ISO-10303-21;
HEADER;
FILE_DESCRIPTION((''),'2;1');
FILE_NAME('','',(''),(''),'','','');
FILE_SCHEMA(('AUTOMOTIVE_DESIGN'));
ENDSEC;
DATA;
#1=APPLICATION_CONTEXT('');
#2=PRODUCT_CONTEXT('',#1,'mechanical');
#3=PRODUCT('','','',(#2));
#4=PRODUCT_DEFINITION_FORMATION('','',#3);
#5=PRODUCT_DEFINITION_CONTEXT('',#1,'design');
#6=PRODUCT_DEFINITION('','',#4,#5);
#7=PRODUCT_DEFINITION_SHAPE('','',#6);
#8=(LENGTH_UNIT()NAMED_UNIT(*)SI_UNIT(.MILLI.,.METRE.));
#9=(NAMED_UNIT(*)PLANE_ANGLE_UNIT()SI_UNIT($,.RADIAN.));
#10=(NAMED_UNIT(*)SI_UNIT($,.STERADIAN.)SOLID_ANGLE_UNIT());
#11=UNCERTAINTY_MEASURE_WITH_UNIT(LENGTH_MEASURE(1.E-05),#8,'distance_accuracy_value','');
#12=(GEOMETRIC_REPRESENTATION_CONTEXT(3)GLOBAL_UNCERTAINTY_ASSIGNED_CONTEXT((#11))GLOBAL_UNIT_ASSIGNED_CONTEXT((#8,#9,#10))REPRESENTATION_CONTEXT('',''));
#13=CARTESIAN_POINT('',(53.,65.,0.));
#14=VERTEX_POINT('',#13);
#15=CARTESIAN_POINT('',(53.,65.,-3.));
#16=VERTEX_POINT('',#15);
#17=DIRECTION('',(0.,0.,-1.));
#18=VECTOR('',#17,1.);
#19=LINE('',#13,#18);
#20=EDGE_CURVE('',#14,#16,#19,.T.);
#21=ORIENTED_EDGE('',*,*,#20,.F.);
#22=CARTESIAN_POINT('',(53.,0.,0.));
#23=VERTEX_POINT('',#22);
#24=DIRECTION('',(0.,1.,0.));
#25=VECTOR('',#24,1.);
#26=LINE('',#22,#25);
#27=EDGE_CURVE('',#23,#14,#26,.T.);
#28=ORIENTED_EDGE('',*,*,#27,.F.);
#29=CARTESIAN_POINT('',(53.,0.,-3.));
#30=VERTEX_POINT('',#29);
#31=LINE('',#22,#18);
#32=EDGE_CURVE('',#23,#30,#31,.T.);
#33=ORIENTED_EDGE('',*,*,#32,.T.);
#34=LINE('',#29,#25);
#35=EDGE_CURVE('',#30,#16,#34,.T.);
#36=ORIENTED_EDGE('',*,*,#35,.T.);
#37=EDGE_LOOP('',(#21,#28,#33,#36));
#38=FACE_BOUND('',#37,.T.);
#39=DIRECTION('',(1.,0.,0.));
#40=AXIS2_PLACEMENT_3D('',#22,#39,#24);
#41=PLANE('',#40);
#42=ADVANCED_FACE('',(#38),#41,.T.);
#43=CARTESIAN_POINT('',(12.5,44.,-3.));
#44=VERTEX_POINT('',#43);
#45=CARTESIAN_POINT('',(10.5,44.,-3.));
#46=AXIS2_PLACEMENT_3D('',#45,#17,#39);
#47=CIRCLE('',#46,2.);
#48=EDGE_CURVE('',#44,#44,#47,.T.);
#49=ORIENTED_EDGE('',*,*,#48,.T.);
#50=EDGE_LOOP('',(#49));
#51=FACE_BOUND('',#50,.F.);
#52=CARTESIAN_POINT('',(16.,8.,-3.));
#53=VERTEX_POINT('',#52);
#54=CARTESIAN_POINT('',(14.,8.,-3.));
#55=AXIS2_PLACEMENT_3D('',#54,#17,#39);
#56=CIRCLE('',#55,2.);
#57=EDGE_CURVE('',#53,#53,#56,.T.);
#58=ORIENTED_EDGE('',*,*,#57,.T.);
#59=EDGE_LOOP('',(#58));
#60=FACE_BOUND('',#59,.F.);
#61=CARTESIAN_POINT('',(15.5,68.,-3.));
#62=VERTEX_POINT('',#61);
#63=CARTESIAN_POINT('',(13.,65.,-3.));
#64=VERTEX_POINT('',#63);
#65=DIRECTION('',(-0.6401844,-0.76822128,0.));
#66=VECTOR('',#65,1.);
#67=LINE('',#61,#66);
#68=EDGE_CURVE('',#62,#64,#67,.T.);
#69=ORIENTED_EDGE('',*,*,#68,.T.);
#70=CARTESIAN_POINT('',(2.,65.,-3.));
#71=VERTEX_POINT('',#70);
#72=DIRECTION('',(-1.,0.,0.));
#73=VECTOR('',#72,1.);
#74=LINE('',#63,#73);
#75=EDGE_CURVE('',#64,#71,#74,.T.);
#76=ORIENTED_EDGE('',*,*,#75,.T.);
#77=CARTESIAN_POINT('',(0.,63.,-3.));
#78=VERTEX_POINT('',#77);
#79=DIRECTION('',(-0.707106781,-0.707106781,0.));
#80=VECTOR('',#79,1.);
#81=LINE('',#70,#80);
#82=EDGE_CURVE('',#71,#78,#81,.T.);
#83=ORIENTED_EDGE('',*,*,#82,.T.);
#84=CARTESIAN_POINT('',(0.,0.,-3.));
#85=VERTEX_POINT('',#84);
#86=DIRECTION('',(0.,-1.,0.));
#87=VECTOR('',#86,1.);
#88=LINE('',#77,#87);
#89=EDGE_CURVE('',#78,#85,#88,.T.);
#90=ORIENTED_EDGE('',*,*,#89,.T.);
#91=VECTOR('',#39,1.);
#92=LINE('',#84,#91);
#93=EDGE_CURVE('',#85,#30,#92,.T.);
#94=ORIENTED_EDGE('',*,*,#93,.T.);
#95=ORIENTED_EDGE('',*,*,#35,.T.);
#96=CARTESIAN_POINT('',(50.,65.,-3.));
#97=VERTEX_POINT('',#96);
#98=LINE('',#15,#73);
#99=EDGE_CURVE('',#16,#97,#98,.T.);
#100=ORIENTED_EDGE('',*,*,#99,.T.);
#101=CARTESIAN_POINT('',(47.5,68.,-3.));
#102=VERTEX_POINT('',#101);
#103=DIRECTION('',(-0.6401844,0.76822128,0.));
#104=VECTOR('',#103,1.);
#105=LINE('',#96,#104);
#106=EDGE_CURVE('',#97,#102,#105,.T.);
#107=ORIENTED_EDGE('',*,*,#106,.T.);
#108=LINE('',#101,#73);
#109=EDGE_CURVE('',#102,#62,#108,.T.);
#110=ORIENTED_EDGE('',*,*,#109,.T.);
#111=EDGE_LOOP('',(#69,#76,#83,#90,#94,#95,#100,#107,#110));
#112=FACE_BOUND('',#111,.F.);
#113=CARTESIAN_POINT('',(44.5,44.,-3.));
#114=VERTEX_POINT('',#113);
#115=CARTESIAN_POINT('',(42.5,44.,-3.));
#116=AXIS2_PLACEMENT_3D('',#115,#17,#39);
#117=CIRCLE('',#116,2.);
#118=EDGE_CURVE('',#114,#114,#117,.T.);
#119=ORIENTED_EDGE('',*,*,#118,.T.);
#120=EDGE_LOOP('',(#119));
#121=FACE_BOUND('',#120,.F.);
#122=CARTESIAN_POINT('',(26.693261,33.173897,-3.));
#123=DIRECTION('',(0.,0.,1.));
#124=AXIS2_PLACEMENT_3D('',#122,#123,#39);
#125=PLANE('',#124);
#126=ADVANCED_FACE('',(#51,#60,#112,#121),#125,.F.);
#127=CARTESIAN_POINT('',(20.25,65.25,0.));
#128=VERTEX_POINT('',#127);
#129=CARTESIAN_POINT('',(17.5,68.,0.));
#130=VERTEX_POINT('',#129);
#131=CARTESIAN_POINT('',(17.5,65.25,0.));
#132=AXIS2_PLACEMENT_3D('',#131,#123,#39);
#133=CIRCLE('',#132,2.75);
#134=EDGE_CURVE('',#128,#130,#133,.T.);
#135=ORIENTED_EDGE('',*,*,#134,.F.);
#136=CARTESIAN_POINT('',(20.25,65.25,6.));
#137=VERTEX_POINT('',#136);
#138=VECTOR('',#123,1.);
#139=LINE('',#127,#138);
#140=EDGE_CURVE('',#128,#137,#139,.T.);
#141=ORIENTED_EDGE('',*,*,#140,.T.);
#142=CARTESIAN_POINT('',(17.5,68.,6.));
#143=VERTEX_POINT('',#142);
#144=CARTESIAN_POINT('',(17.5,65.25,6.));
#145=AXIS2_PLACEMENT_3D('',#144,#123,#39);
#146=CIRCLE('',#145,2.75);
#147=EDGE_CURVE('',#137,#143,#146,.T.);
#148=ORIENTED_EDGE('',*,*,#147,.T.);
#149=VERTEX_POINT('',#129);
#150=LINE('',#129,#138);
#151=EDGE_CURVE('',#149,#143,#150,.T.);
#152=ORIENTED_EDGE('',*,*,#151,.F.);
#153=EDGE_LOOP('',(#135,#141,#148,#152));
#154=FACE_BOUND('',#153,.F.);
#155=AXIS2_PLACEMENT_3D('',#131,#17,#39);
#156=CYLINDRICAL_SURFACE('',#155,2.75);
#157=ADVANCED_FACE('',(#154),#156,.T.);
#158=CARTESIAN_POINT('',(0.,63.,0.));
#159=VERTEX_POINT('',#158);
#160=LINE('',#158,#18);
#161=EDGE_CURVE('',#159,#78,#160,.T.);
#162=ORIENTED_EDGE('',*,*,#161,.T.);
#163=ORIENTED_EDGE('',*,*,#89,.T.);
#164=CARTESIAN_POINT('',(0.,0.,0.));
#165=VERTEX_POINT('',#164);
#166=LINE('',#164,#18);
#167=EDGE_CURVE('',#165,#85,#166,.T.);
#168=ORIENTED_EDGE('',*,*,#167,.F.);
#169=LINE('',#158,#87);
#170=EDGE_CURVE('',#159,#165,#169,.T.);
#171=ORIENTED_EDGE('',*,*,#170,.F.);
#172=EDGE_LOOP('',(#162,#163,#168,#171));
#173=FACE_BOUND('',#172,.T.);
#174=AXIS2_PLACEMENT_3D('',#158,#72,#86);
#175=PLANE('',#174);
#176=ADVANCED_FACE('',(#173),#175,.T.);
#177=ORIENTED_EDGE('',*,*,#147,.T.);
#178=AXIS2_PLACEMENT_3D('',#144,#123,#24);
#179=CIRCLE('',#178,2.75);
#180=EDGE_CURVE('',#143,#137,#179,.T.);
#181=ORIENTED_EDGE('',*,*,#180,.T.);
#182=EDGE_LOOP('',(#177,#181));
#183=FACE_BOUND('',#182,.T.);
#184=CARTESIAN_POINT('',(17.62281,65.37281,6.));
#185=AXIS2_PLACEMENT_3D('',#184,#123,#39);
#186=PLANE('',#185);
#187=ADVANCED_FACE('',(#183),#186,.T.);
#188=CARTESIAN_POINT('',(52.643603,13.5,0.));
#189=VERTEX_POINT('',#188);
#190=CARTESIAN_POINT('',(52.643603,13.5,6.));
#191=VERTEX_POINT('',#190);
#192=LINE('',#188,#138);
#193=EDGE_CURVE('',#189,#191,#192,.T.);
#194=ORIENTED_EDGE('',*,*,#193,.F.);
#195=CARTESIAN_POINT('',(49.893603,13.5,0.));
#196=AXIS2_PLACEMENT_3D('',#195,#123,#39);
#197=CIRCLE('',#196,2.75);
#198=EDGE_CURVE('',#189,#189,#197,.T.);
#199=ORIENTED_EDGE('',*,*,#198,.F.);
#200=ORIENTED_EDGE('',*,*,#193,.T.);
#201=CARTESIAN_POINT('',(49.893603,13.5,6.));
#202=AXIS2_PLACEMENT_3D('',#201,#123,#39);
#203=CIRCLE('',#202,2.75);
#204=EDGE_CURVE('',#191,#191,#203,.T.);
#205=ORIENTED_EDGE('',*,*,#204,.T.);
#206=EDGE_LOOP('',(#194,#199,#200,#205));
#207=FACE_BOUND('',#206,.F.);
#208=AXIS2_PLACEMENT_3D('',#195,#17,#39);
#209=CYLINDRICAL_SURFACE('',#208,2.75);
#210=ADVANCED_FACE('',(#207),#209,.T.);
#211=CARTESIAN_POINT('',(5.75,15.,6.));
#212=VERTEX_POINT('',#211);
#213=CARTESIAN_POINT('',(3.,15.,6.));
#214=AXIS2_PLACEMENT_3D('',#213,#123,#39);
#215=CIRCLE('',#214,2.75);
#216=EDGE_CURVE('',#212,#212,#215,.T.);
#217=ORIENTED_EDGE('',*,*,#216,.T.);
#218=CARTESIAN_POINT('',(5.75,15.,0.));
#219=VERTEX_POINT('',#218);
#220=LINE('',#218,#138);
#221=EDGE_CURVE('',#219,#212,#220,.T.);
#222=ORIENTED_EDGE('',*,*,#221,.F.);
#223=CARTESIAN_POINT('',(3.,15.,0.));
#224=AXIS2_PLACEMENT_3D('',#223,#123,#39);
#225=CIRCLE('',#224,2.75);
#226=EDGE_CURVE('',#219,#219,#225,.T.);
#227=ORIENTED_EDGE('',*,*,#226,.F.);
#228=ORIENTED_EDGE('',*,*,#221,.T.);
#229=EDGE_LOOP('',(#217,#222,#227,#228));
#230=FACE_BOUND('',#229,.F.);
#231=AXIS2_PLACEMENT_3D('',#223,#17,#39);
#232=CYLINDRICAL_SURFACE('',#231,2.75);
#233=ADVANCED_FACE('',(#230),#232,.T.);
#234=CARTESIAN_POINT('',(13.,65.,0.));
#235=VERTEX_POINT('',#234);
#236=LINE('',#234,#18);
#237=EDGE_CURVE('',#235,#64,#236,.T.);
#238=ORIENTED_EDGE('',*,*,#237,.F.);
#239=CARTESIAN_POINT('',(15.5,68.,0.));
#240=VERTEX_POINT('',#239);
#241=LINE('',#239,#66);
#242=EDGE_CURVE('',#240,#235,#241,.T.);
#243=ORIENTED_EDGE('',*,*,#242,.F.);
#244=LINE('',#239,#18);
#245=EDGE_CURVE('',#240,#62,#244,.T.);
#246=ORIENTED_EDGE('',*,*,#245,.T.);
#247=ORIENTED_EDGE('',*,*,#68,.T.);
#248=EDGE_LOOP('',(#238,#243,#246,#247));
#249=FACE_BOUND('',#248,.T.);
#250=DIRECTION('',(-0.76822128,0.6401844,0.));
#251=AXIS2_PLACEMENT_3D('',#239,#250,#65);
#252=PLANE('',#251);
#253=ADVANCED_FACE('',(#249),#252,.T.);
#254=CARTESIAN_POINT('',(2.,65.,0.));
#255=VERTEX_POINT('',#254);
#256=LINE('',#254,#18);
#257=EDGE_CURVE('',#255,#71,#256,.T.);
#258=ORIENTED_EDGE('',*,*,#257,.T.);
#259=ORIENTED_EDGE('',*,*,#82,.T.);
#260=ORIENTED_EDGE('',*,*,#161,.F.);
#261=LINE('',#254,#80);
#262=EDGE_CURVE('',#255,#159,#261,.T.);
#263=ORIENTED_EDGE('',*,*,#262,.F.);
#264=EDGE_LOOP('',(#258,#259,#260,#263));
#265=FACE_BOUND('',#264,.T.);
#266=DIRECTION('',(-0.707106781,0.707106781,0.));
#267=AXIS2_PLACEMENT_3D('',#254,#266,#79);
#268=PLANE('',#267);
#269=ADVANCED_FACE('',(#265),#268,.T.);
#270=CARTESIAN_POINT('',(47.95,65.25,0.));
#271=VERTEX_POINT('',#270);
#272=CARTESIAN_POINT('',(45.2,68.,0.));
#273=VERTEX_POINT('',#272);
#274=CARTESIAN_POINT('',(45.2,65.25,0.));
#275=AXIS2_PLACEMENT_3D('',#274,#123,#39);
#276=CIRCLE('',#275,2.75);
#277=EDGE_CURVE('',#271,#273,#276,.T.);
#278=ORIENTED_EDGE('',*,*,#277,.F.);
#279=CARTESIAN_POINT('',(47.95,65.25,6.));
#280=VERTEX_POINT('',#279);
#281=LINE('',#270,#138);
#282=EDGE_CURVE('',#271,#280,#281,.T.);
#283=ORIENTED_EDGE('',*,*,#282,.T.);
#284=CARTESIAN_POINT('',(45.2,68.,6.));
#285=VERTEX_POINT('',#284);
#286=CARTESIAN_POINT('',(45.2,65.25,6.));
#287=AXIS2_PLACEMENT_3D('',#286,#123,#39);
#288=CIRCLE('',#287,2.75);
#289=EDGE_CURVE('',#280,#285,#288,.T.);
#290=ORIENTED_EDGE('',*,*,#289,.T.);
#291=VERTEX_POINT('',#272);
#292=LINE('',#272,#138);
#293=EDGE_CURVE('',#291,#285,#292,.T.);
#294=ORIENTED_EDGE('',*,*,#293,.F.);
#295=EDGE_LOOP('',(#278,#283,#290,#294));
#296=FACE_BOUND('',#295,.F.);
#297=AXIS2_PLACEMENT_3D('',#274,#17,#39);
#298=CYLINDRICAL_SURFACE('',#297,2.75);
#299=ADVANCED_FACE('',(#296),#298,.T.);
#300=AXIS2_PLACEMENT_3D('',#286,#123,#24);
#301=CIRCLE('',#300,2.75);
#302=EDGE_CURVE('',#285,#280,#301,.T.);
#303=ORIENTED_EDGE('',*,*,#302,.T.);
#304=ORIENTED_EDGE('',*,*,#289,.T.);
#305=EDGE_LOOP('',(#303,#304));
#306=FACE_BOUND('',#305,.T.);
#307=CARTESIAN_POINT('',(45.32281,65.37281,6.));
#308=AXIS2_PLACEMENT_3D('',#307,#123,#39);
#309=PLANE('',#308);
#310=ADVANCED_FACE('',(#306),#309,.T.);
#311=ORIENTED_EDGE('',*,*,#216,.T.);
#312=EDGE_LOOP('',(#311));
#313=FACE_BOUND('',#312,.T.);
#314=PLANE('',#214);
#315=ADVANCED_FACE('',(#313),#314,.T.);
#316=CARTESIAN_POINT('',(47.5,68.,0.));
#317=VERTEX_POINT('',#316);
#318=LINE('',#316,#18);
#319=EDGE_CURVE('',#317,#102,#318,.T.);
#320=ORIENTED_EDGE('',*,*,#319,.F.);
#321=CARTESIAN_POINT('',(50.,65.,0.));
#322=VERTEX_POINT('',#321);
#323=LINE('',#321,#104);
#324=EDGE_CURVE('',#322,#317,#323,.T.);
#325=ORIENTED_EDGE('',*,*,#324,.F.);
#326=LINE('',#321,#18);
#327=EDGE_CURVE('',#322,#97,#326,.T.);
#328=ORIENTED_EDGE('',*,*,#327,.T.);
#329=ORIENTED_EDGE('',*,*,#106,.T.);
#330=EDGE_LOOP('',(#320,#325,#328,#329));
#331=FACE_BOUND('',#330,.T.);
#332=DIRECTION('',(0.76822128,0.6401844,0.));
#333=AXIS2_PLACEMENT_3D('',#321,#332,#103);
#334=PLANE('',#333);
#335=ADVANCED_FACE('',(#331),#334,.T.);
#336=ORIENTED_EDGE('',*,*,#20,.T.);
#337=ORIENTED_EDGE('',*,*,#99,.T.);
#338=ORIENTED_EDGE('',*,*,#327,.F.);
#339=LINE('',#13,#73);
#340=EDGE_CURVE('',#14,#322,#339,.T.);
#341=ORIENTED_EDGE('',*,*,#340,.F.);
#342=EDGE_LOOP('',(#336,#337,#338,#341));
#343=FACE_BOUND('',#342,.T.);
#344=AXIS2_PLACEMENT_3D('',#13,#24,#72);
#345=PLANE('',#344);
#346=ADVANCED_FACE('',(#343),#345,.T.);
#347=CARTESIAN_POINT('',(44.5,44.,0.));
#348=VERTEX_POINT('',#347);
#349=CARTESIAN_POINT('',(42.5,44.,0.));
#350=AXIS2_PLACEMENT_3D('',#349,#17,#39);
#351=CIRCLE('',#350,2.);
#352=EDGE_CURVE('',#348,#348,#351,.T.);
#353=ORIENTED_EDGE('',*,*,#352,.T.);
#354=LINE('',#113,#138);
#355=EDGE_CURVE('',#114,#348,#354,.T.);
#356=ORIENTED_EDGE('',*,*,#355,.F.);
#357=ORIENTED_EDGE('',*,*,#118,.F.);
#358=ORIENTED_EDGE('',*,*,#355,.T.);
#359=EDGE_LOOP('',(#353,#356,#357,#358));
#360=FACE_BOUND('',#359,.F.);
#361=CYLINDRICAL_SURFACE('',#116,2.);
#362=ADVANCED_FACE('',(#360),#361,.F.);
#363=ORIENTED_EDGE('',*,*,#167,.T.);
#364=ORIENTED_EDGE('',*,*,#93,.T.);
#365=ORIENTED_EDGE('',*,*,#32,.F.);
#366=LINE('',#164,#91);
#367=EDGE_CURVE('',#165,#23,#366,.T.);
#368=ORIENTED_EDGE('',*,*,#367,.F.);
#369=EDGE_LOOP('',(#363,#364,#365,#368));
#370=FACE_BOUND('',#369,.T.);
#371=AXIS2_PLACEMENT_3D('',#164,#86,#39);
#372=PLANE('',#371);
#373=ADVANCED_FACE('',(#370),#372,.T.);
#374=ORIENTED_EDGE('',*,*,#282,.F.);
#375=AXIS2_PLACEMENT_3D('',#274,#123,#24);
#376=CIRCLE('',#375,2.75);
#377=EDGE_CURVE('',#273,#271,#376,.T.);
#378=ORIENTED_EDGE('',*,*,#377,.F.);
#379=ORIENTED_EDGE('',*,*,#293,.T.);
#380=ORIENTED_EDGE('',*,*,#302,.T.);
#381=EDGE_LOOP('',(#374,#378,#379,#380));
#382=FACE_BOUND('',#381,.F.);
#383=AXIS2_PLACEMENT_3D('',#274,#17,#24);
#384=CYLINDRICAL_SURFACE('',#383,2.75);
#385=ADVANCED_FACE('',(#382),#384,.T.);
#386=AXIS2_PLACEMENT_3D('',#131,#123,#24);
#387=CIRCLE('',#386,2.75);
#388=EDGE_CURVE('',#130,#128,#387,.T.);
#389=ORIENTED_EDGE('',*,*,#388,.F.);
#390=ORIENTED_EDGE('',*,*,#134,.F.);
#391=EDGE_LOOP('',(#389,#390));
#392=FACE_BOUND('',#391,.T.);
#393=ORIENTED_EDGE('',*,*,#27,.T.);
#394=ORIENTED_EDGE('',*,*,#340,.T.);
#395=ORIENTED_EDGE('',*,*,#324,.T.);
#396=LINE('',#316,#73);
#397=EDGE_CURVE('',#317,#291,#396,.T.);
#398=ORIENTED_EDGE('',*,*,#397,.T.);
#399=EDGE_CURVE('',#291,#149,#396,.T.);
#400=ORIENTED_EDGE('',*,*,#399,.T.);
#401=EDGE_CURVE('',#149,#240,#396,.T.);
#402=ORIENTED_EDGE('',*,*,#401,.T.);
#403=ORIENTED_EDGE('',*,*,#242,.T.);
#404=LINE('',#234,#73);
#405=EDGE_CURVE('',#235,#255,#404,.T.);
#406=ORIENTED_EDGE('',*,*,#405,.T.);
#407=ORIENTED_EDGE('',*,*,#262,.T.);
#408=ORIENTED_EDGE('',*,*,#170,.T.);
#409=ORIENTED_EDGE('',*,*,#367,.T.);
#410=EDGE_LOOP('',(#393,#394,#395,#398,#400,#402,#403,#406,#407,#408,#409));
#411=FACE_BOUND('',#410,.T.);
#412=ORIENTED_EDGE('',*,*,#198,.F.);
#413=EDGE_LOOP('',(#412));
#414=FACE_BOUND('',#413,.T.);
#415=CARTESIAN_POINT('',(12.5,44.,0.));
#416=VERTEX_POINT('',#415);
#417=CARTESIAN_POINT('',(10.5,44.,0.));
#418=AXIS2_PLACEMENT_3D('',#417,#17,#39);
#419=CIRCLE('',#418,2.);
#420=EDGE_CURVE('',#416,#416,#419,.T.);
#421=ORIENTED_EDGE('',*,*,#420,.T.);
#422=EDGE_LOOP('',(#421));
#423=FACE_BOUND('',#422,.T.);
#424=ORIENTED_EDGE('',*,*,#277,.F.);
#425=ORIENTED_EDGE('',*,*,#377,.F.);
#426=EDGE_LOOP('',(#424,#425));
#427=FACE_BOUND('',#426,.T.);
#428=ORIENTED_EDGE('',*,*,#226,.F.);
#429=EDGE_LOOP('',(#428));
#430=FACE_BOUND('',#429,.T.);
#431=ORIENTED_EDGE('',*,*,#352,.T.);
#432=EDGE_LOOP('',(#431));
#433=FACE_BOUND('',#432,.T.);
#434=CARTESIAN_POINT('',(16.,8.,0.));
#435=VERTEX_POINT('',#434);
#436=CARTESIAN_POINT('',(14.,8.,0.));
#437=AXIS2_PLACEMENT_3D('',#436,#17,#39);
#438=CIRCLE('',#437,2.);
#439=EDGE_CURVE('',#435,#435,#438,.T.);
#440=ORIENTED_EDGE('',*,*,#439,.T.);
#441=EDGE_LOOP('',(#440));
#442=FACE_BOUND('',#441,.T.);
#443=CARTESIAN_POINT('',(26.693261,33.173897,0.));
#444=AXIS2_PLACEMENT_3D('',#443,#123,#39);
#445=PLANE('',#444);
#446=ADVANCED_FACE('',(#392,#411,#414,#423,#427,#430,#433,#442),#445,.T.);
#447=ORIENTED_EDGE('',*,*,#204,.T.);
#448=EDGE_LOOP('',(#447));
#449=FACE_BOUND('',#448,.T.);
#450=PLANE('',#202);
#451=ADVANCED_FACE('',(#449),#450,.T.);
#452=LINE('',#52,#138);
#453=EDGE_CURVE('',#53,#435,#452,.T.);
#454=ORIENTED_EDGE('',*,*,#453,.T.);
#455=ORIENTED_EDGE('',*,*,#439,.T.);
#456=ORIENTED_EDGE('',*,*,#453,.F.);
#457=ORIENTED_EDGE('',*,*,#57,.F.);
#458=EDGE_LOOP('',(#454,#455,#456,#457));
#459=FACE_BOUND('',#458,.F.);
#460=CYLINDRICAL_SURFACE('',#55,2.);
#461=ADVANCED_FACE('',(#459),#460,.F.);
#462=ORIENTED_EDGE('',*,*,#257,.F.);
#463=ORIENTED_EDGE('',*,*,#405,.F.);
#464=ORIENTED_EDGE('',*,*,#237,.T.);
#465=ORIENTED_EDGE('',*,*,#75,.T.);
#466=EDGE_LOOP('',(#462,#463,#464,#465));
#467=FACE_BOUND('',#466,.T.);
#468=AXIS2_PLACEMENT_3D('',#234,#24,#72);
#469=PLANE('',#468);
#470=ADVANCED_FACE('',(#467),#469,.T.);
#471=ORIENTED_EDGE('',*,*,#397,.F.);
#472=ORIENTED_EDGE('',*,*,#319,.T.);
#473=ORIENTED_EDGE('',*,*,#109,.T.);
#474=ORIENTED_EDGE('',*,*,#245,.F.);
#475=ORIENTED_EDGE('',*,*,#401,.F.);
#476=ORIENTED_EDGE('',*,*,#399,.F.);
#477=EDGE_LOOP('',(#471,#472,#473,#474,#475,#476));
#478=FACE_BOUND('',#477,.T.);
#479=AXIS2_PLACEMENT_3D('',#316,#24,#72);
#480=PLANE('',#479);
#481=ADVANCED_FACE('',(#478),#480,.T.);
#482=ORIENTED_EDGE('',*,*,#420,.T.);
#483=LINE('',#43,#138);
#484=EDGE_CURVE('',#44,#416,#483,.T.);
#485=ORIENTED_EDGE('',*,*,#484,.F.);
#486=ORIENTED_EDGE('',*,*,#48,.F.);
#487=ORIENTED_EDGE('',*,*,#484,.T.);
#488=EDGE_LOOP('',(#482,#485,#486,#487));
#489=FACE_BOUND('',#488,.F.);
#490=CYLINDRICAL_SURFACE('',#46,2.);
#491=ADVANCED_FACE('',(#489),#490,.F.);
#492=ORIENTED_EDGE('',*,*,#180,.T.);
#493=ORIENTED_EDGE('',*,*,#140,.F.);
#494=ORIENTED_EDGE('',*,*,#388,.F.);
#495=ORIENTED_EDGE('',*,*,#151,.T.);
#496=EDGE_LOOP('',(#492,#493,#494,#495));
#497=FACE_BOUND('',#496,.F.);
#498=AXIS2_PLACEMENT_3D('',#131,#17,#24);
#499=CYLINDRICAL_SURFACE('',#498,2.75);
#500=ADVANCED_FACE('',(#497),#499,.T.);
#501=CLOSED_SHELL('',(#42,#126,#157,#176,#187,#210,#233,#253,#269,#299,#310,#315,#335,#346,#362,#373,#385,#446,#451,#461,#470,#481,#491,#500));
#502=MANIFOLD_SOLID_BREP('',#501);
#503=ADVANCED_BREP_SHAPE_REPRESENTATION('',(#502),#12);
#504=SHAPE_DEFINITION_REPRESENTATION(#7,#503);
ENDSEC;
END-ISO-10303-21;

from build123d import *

# Parameters (mm, degrees)
F0_R     = 2.75
F1_DEPTH = 3
F2_DEPTH = 6
F3_R     = 2
F4_DEPTH = 25


with BuildPart() as f1:
    # F0 (on Top) → F1 (new body)
    with BuildSketch(Plane.XY):
        Polygon((0, 63), (0, 0), (53, 0), (53, 65), (50, 65), (47.5, 68), (45.2, 68), (17.5, 68), (15.5, 68), (13, 65), (2, 65), align=None)
        with Locations((3, 15)):
            Circle(F0_R, mode=Mode.SUBTRACT)
        with Locations((49.8936027288, 13.5)):
            Circle(F0_R, mode=Mode.SUBTRACT)
        with BuildLine():
            ThreePointArc((20.25, 65.25), (15.5554563517, 63.3054563517), (17.5, 68))
            ThreePointArc((17.5, 68), (19.4445436483, 67.1945436483), (20.25, 65.25))
        make_face(mode=Mode.SUBTRACT)
        with BuildLine():
            ThreePointArc((47.95, 65.25), (43.2554563517, 63.3054563517), (45.2, 68))
            ThreePointArc((45.2, 68), (47.1445436483, 67.1945436483), (47.95, 65.25))
        make_face(mode=Mode.SUBTRACT)
        with BuildLine():
            ThreePointArc((47.95, 65.25), (47.1445436483, 67.1945436483), (45.2, 68))
            ThreePointArc((45.2, 68), (43.2554563517, 63.3054563517), (47.95, 65.25))
        make_face()
        with BuildLine():
            ThreePointArc((20.25, 65.25), (19.4445436483, 67.1945436483), (17.5, 68))
            ThreePointArc((17.5, 68), (15.5554563517, 63.3054563517), (20.25, 65.25))
        make_face()
        with Locations((3, 15)):
            Circle(F0_R)
        with Locations((49.8936027288, 13.5)):
            Circle(F0_R)
    extrude(amount=-F1_DEPTH)

    # F0 (on Top) → F2 (join)
    with BuildSketch(Plane.XY):
        with BuildLine():
            ThreePointArc((20.25, 65.25), (19.4445436483, 67.1945436483), (17.5, 68))
            ThreePointArc((17.5, 68), (15.5554563517, 63.3054563517), (20.25, 65.25))
        make_face()
        with BuildLine():
            ThreePointArc((47.95, 65.25), (47.1445436483, 67.1945436483), (45.2, 68))
            ThreePointArc((45.2, 68), (43.2554563517, 63.3054563517), (47.95, 65.25))
        make_face()
        with Locations((49.8936027288, 13.5)):
            Circle(F0_R)
        with Locations((3, 15)):
            Circle(F0_R)
    extrude(amount=F2_DEPTH)

    # F3 (on face) → F4 (cut)
    with BuildSketch(Plane(origin=(0, 0, -3), x_dir=(1, 0, 0), z_dir=(0, 0, -1))):
        with Locations((42.5, -44)):
            Circle(F3_R)
        with Locations((10.5, -44)):
            Circle(F3_R)
        with Locations((14, -8)):
            Circle(F3_R)
    extrude(amount=-F4_DEPTH, mode=Mode.SUBTRACT)


solid = f1.part
